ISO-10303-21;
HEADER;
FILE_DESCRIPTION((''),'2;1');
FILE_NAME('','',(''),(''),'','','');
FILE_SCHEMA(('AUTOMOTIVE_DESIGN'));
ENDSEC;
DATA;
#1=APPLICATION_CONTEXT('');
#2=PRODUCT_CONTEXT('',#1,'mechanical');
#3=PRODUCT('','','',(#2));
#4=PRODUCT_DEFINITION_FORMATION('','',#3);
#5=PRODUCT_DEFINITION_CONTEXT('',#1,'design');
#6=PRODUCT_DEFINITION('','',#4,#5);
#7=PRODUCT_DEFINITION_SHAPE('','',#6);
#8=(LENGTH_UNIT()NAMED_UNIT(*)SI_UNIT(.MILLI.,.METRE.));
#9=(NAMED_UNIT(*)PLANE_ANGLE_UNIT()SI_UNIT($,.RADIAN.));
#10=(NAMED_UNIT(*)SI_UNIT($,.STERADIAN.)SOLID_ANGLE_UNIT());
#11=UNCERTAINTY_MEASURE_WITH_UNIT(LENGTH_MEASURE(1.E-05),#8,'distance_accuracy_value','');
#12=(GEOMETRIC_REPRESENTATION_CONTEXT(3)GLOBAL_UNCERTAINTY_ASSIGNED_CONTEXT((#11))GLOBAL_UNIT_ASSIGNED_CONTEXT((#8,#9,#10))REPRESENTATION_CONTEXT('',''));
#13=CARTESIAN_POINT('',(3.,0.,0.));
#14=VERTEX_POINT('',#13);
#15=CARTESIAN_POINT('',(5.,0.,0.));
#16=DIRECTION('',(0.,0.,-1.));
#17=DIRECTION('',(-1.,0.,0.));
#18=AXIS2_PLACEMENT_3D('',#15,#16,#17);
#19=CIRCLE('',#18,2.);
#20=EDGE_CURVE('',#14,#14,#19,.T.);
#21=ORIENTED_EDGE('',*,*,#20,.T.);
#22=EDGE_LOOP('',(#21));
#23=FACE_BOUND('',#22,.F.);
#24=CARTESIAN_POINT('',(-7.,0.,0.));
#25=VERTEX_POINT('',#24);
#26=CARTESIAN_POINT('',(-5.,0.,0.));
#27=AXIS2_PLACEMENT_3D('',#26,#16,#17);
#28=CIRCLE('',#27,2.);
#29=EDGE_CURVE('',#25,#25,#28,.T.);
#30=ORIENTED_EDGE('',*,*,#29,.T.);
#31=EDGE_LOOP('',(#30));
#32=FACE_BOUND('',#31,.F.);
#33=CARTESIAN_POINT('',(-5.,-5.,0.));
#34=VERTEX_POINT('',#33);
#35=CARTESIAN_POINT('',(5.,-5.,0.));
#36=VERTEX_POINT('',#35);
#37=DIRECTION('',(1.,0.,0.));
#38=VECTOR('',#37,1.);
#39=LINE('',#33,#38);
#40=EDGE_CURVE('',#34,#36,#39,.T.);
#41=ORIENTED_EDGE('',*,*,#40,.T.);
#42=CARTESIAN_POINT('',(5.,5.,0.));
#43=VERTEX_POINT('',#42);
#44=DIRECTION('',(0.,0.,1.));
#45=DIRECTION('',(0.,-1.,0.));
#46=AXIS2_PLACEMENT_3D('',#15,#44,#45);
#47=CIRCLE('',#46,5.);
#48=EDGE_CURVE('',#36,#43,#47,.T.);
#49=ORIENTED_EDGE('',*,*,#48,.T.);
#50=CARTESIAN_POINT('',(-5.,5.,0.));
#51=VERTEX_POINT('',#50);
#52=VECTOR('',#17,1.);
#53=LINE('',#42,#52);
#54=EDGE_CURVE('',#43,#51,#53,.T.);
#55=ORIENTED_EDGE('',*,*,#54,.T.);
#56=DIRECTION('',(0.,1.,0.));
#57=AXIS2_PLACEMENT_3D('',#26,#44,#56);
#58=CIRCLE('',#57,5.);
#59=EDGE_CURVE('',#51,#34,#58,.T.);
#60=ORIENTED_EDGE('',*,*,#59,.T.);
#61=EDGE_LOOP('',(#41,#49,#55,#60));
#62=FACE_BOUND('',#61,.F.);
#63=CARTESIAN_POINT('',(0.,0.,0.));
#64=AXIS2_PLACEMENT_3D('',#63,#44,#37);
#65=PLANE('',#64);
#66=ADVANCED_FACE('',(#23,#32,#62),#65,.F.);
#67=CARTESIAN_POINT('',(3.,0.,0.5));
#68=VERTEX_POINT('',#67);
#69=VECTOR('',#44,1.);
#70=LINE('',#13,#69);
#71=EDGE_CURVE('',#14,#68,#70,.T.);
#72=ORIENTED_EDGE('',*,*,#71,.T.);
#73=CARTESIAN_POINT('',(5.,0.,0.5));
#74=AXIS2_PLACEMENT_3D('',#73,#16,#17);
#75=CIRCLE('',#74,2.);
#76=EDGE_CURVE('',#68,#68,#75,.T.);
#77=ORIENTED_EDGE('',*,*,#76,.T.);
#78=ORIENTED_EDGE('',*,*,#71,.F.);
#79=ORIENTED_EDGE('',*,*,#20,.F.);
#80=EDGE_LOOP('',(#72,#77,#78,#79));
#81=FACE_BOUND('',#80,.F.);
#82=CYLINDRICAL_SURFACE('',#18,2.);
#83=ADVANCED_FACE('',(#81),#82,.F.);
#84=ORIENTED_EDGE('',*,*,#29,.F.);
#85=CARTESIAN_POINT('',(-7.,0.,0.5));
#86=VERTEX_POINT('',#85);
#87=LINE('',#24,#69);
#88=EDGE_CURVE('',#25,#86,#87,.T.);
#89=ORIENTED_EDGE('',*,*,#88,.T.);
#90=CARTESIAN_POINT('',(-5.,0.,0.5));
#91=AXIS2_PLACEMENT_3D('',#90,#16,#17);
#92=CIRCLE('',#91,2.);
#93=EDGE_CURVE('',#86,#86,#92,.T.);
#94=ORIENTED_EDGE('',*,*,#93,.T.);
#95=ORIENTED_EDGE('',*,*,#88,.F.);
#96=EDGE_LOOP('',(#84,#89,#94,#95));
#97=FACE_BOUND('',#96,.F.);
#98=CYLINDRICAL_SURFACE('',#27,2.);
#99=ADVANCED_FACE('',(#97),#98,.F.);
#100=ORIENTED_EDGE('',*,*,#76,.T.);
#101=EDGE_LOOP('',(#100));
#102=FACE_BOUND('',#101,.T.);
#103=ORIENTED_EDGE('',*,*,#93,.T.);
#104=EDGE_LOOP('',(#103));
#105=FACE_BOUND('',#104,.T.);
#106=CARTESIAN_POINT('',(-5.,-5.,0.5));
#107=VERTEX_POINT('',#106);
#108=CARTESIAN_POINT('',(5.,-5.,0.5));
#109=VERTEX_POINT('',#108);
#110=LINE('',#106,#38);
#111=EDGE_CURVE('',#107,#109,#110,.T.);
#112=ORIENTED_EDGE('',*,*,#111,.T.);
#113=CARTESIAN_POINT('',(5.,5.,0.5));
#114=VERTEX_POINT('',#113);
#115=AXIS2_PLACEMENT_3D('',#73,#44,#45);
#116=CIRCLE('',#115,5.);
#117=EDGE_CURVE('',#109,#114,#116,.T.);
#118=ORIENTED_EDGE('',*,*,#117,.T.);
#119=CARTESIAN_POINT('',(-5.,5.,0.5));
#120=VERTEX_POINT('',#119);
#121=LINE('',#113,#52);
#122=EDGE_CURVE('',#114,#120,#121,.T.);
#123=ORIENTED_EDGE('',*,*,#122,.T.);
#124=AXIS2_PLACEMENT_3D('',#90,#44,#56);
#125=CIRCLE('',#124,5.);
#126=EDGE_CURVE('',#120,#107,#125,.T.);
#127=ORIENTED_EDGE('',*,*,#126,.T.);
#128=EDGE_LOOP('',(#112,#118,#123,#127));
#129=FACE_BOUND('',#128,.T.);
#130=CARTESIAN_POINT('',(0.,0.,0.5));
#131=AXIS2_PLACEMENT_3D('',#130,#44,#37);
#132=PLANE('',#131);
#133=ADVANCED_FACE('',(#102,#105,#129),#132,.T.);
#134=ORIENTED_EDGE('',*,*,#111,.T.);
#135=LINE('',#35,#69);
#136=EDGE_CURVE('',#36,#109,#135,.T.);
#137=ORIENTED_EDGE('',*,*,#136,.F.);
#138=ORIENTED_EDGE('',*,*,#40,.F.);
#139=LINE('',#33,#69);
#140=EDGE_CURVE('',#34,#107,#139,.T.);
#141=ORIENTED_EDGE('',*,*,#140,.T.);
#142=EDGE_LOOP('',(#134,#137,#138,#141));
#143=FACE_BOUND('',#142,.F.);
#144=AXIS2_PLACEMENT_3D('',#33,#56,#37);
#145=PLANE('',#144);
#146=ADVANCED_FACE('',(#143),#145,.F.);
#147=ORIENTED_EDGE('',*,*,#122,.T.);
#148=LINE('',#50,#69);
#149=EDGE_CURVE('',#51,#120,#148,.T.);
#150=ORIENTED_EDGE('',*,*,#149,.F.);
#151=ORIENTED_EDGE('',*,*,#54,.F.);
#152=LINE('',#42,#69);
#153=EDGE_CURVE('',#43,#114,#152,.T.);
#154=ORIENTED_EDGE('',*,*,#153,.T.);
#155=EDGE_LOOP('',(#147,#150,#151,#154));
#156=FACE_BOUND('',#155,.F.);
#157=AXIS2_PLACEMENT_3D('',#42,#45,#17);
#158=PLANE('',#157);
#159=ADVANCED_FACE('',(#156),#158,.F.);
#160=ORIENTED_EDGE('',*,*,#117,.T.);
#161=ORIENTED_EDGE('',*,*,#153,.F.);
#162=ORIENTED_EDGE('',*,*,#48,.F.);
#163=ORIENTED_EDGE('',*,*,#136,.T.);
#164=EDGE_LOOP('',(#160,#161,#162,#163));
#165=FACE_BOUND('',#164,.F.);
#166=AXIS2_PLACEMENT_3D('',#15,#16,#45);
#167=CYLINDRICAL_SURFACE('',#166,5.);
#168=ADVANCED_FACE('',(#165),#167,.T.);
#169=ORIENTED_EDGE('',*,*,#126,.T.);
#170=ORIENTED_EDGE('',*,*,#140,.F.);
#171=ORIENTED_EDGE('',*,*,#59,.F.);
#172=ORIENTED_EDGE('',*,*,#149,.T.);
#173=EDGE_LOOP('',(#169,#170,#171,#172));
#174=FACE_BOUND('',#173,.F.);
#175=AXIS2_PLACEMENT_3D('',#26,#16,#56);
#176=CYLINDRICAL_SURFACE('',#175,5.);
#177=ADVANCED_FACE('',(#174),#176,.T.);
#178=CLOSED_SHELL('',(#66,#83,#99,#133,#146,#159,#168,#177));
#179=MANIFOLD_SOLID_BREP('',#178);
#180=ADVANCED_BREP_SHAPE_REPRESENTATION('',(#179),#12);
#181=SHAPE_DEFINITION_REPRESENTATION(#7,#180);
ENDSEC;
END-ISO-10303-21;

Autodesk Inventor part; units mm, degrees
ref_plane "YZ Plane" through (0, 0, 0) normal (1, 0, 0) x (0, 1, 0)
ref_plane "XZ Plane" through (0, 0, 0) normal (0, 1, 0) x (-1, 0, 0)
ref_plane "XY Plane" through (0, 0, 0) normal (0, 0, 1) x (1, 0, 0)
sketch "Náčrt1" plane through (0, 0, 0) normal (0, 0, 1) x (1, 0, 0)
  line L0 (-5, 0) -> (5, 0) construction
  line L1 (-5, -5) -> (5, -5)
  line L2 (5, 5) -> (-5, 5)
  arc A0 (-5, 5) -> (-5, -5) centre (-5, 0) ccw
  arc A1 (5, -5) -> (5, 5) centre (5, 0) ccw
  point P0 (0, 0)
  point P1 (10, 0)
  dimension "d0" = 10
  dimension "d1" = 5
extrude "Vysunutí1" add sketch "Náčrt1" along normal blind 0.5
sketch "Náčrt2" plane through (0, 0, 0) normal (0, 0, -1) x (-1, 0, 0)
  arc A0 (5, -5) -> (5, 5) centre (5, 0) ccw projected
  circle A1 centre (5, 0) radius 2
  point P0 (0, 0)
  dimension "d4" = 4
extrude "Vysunutí2" cut sketch "Náčrt2" against normal through all
pattern_linear "Obdélníkové pole1" count 7 spacing 10 along (1, 0, 0) of "Vysunutí2"
properties part number "1002"
